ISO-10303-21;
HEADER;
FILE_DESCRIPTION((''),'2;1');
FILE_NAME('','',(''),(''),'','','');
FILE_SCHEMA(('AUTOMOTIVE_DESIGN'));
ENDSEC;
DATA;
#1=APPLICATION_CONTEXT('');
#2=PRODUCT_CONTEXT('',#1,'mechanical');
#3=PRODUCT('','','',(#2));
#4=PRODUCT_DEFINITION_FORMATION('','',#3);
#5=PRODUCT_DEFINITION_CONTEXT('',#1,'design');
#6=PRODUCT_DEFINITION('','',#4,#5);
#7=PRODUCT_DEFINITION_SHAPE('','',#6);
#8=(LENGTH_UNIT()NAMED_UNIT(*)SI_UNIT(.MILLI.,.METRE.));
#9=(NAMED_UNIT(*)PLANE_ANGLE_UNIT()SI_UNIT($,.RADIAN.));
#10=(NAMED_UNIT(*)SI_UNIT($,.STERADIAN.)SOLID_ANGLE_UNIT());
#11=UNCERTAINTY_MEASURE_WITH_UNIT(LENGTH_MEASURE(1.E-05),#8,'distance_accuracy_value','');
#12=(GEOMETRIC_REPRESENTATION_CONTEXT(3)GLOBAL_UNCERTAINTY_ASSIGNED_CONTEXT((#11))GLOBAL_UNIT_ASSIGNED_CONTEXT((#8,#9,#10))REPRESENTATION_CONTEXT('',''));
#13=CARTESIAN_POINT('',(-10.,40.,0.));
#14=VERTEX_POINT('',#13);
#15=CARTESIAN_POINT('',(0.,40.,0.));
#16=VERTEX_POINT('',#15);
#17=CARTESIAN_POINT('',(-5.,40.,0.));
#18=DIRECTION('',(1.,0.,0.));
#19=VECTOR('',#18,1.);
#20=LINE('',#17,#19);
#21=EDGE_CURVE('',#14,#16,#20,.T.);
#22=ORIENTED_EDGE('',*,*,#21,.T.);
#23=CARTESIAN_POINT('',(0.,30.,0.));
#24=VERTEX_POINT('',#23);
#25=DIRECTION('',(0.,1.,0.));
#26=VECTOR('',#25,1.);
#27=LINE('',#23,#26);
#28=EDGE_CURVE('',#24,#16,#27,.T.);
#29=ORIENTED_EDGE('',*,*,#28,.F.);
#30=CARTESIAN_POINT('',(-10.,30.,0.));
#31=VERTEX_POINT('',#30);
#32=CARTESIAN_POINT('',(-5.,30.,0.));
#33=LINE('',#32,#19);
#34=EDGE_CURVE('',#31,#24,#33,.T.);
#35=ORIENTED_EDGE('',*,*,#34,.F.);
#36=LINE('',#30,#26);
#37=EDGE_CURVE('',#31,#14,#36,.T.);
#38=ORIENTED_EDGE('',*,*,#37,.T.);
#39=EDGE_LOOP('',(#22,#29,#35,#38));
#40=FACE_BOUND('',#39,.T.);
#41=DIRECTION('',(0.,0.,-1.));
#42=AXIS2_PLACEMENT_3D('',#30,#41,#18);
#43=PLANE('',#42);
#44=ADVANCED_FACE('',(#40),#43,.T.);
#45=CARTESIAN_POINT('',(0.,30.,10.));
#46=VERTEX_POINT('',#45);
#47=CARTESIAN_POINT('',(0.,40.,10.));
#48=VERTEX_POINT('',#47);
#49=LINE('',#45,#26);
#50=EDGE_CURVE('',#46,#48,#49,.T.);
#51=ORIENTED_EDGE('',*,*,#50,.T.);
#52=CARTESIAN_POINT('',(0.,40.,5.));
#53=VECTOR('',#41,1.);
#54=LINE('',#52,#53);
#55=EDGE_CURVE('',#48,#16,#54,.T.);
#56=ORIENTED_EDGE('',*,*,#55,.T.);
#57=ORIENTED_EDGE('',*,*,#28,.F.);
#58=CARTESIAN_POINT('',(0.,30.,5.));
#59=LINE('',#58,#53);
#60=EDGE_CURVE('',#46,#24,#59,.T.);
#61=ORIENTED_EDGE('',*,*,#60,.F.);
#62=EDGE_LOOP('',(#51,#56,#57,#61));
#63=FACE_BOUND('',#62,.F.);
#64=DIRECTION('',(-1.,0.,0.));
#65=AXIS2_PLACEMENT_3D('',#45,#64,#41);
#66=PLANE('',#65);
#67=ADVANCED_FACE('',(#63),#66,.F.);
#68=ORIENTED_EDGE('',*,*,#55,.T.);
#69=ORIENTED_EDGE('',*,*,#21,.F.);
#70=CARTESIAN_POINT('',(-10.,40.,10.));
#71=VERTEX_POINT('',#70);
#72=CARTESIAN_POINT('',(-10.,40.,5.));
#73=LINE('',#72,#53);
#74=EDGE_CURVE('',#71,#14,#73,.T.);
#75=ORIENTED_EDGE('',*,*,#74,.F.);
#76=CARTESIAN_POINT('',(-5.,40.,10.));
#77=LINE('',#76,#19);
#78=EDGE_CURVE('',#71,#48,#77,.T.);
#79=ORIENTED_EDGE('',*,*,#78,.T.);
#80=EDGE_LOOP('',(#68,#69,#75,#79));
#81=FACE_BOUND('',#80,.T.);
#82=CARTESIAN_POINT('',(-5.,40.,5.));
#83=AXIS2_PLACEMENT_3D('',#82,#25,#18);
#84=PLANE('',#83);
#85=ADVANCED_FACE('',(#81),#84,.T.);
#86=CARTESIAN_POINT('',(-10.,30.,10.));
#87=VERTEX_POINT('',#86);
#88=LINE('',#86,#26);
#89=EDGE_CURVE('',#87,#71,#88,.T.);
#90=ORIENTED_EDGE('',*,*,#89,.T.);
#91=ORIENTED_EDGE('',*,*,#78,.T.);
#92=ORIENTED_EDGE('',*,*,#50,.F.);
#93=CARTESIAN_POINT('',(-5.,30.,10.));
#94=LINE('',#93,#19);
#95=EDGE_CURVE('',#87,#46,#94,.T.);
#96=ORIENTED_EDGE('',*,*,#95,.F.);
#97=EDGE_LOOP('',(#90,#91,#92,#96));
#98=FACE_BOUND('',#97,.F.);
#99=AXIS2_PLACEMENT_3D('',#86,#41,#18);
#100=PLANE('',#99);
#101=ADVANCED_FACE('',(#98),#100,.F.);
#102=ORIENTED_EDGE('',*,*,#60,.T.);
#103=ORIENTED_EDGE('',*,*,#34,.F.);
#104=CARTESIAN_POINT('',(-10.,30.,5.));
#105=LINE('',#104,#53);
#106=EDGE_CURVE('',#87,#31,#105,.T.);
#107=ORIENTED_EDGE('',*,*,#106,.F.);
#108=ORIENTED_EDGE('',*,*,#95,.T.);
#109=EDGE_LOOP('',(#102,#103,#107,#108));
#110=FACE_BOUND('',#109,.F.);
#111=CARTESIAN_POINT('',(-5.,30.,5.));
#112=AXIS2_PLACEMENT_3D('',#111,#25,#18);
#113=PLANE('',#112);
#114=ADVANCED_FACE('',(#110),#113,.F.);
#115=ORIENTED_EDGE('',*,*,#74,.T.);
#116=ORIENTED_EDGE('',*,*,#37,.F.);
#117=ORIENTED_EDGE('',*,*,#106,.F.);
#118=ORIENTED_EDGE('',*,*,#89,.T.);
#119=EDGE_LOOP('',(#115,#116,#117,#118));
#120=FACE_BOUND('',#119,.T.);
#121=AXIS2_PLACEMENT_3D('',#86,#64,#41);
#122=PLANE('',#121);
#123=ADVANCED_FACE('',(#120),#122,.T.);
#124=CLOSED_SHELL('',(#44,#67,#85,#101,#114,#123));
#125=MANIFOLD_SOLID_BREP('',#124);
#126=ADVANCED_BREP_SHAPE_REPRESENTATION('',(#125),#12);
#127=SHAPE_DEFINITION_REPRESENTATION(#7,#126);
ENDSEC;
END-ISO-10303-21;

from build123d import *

# Parameters (mm, degrees)
SKETCH3_W  = 10
SKETCH3_H  = 10
CUBE_DEPTH = 10


with BuildPart() as part:
    # Sketch3 → Cube (new body)
    with BuildSketch(Plane(origin=(0, 30, 0), x_dir=(1, 0, 0), z_dir=(0, 1, 0))):
        with Locations((-5, -5)):
            Rectangle(SKETCH3_W, SKETCH3_H)
    extrude(amount=CUBE_DEPTH)


solid = part.part
